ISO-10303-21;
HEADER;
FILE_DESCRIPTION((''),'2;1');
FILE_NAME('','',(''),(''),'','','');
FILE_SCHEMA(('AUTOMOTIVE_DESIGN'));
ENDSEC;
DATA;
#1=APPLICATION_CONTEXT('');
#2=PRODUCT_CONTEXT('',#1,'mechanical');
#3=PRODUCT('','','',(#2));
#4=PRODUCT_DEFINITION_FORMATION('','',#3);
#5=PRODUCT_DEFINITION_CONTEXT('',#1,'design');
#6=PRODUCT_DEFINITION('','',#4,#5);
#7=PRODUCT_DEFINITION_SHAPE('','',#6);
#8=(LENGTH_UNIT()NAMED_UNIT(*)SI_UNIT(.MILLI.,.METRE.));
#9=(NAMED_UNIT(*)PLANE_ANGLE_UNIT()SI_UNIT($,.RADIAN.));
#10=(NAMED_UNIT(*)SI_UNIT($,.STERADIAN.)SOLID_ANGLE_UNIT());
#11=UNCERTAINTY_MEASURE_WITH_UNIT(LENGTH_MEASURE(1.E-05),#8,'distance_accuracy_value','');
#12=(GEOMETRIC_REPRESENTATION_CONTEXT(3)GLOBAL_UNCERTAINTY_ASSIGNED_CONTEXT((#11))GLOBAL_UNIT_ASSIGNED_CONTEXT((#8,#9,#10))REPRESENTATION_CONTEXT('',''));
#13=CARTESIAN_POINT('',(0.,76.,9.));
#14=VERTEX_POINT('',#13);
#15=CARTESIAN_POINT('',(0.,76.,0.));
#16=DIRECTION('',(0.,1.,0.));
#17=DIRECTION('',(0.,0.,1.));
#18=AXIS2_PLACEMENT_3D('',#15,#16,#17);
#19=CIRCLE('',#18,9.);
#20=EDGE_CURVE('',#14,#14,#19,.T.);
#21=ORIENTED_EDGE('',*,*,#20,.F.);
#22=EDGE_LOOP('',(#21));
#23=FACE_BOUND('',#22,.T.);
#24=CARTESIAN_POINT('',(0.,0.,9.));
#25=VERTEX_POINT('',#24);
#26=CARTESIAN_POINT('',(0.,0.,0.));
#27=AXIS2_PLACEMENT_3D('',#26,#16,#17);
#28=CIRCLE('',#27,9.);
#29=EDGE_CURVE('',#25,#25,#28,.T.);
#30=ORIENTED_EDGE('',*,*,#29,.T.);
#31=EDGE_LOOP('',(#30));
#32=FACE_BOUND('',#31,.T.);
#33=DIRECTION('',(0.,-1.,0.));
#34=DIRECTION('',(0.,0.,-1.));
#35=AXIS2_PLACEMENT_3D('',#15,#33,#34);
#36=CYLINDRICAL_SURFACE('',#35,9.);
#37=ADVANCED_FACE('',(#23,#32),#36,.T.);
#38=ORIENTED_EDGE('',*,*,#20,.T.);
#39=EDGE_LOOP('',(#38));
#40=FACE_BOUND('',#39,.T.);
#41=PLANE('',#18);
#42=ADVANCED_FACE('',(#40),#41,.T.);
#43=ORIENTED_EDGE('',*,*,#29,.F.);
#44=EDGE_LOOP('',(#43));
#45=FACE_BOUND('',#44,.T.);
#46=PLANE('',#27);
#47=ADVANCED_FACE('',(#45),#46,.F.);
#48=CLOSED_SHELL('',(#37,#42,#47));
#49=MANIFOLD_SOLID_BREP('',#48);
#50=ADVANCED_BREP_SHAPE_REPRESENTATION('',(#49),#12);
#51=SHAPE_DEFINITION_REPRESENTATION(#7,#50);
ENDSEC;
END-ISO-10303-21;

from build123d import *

# Parameters (mm, degrees)
SKETCH1_R           = 9
BOSS_EXTRUDE1_DEPTH = 76


with BuildPart() as part:
    # Sketch1 → Boss-Extrude1 (new body)
    with BuildSketch(Plane(origin=(0, 0, 0), x_dir=(1, 0, 0), z_dir=(0, 1, 0))):
        Circle(SKETCH1_R)
    extrude(amount=BOSS_EXTRUDE1_DEPTH)


solid = part.part
